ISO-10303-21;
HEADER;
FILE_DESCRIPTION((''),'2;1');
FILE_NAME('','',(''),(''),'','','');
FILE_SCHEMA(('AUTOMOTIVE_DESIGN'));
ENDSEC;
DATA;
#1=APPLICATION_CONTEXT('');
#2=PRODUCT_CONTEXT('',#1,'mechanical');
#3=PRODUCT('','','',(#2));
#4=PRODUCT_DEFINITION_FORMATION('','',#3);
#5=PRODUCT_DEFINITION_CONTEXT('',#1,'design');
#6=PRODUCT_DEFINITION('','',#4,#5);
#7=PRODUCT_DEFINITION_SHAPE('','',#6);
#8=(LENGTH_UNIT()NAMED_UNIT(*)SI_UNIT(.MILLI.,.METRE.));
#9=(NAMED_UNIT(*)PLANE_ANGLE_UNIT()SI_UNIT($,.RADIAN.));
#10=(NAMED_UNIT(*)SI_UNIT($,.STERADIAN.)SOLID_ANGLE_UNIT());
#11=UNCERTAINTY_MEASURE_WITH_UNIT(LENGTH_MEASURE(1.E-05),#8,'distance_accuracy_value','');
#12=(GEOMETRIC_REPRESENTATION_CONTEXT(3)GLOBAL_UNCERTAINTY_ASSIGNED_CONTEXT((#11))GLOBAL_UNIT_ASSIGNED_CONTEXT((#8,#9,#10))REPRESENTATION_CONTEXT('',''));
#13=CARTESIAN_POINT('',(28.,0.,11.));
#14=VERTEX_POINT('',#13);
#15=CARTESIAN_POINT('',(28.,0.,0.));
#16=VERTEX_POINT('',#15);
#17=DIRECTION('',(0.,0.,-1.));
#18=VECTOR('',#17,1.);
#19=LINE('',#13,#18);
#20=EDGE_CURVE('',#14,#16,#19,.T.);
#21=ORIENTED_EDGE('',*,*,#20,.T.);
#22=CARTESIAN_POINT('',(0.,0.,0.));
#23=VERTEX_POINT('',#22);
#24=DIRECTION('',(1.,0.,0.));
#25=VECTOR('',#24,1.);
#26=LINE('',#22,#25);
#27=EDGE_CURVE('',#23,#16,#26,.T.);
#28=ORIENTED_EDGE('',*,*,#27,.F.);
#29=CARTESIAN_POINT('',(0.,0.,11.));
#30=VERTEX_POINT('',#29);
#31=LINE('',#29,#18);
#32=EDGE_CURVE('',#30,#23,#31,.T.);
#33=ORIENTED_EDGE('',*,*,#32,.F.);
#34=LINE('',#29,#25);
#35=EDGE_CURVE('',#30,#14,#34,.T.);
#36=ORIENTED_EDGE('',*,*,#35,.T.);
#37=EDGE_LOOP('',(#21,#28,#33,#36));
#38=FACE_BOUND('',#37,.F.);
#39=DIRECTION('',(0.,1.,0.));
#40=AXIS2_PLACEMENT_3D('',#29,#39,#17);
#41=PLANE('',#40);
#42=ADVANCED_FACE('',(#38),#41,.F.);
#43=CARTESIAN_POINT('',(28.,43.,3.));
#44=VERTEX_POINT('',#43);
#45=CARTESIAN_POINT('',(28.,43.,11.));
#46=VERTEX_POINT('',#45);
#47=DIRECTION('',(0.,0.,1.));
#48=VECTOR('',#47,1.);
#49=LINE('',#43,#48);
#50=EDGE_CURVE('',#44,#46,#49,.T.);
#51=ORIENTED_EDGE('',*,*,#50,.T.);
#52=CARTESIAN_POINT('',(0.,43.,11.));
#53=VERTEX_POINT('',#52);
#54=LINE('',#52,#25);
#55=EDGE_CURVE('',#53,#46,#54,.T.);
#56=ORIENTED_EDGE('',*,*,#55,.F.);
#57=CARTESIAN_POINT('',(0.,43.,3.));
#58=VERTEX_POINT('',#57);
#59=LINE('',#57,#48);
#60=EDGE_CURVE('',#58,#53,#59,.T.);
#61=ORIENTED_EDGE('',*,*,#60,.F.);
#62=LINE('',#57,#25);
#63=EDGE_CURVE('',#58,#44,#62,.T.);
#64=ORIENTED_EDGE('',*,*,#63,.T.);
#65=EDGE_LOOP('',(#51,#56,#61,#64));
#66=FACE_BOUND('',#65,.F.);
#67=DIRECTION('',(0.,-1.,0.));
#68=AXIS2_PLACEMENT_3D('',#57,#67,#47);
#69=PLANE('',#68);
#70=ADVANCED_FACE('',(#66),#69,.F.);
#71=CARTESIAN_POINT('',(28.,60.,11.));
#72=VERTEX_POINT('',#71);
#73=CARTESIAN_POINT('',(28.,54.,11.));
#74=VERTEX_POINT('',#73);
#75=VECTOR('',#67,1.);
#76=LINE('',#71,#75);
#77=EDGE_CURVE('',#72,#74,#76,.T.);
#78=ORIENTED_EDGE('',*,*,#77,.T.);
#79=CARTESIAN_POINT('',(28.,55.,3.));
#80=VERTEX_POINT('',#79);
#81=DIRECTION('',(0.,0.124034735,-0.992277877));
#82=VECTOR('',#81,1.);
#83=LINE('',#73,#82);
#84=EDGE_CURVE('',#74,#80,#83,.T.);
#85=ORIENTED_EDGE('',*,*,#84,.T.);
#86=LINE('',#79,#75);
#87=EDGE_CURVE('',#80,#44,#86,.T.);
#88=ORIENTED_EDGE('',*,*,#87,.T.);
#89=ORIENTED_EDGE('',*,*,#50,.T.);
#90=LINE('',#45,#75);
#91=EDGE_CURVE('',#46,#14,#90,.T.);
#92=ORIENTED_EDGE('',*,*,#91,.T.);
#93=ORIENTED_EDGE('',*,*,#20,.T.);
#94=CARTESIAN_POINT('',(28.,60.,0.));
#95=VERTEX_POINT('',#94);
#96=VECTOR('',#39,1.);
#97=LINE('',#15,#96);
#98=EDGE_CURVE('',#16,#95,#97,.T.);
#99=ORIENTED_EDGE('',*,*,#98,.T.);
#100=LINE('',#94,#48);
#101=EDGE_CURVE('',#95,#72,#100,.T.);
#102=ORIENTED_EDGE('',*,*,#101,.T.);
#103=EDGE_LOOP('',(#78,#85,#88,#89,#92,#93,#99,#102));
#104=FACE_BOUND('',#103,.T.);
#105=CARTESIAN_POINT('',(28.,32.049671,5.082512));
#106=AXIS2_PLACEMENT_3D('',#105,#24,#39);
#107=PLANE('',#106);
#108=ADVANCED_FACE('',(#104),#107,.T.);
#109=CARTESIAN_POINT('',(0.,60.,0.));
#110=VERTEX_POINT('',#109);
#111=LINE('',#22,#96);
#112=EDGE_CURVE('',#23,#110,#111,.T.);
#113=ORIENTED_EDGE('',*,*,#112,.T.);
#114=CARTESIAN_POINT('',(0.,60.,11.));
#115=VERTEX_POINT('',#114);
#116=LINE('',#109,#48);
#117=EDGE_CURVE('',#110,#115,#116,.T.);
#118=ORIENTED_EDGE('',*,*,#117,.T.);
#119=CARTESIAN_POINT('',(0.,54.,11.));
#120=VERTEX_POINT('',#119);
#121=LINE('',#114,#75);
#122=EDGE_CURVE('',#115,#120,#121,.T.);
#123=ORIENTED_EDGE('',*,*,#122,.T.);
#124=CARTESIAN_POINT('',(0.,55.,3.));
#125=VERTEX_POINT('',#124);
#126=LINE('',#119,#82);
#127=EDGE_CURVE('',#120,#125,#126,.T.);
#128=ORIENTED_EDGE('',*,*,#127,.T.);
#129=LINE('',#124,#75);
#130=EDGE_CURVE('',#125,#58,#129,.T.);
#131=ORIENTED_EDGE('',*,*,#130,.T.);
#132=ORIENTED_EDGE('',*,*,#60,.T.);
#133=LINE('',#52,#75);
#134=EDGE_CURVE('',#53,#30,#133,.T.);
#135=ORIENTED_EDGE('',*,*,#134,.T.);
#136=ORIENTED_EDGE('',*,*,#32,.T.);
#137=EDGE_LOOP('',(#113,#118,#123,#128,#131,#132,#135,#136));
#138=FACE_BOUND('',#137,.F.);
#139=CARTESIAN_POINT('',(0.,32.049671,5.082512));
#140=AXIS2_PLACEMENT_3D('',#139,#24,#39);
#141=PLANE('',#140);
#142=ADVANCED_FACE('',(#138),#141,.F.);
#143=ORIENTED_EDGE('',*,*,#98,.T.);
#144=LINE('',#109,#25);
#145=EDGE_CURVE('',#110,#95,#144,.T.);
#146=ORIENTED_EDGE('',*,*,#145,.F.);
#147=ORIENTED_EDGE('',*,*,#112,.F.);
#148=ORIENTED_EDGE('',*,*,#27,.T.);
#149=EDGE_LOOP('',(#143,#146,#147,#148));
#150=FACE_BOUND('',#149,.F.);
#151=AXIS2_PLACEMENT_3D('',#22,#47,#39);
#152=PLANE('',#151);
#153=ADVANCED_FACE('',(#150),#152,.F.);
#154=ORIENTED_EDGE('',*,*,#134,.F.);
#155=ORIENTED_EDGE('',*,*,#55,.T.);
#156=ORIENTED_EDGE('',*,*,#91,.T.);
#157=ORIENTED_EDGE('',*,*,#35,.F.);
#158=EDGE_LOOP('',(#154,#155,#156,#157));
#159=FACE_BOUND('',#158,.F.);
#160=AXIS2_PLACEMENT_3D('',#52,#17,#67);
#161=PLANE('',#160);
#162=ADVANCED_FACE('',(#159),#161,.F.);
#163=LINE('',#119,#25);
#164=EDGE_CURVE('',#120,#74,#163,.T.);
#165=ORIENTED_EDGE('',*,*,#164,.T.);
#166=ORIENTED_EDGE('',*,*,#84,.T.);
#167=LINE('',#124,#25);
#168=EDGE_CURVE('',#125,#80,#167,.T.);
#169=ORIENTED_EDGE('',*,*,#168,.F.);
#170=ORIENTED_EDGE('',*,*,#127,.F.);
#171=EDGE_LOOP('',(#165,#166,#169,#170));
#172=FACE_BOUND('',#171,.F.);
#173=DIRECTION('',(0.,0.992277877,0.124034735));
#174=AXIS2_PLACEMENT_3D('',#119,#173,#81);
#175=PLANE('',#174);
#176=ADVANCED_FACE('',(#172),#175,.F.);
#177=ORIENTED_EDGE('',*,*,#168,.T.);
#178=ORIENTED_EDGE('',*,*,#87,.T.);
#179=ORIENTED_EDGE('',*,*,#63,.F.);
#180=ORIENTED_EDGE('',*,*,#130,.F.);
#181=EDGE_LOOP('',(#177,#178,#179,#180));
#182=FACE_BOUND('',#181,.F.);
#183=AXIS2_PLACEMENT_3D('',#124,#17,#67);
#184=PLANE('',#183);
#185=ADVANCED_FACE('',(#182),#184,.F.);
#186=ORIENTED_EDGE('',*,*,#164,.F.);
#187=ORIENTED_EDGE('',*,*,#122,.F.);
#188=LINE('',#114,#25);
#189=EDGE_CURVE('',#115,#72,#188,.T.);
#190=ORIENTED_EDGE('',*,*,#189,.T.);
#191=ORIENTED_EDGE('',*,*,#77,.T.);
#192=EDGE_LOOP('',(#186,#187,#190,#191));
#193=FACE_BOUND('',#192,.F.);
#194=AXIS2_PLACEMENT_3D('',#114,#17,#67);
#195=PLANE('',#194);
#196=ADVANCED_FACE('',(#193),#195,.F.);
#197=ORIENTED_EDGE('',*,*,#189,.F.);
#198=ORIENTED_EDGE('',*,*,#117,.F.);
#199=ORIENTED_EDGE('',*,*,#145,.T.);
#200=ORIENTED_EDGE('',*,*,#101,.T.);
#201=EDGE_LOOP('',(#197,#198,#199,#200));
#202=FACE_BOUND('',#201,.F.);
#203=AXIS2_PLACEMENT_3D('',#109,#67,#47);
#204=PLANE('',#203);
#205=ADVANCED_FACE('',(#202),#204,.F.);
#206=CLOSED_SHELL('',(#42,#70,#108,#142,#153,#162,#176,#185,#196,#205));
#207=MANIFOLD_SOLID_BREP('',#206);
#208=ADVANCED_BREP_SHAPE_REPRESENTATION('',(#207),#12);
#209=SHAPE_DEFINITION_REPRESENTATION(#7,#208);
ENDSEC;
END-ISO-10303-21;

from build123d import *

# Parameters (mm, degrees)
EXTRUDE_DEPTH = 28


with BuildPart() as part:
    # Sketch → Extrude (new body)
    with BuildSketch(Plane.YZ):
        Polygon((0, 11), (0, 0), (60, 0), (60, 11), (54, 11), (55, 3), (43, 3), (43, 11), align=None)
    extrude(amount=EXTRUDE_DEPTH)


solid = part.part
